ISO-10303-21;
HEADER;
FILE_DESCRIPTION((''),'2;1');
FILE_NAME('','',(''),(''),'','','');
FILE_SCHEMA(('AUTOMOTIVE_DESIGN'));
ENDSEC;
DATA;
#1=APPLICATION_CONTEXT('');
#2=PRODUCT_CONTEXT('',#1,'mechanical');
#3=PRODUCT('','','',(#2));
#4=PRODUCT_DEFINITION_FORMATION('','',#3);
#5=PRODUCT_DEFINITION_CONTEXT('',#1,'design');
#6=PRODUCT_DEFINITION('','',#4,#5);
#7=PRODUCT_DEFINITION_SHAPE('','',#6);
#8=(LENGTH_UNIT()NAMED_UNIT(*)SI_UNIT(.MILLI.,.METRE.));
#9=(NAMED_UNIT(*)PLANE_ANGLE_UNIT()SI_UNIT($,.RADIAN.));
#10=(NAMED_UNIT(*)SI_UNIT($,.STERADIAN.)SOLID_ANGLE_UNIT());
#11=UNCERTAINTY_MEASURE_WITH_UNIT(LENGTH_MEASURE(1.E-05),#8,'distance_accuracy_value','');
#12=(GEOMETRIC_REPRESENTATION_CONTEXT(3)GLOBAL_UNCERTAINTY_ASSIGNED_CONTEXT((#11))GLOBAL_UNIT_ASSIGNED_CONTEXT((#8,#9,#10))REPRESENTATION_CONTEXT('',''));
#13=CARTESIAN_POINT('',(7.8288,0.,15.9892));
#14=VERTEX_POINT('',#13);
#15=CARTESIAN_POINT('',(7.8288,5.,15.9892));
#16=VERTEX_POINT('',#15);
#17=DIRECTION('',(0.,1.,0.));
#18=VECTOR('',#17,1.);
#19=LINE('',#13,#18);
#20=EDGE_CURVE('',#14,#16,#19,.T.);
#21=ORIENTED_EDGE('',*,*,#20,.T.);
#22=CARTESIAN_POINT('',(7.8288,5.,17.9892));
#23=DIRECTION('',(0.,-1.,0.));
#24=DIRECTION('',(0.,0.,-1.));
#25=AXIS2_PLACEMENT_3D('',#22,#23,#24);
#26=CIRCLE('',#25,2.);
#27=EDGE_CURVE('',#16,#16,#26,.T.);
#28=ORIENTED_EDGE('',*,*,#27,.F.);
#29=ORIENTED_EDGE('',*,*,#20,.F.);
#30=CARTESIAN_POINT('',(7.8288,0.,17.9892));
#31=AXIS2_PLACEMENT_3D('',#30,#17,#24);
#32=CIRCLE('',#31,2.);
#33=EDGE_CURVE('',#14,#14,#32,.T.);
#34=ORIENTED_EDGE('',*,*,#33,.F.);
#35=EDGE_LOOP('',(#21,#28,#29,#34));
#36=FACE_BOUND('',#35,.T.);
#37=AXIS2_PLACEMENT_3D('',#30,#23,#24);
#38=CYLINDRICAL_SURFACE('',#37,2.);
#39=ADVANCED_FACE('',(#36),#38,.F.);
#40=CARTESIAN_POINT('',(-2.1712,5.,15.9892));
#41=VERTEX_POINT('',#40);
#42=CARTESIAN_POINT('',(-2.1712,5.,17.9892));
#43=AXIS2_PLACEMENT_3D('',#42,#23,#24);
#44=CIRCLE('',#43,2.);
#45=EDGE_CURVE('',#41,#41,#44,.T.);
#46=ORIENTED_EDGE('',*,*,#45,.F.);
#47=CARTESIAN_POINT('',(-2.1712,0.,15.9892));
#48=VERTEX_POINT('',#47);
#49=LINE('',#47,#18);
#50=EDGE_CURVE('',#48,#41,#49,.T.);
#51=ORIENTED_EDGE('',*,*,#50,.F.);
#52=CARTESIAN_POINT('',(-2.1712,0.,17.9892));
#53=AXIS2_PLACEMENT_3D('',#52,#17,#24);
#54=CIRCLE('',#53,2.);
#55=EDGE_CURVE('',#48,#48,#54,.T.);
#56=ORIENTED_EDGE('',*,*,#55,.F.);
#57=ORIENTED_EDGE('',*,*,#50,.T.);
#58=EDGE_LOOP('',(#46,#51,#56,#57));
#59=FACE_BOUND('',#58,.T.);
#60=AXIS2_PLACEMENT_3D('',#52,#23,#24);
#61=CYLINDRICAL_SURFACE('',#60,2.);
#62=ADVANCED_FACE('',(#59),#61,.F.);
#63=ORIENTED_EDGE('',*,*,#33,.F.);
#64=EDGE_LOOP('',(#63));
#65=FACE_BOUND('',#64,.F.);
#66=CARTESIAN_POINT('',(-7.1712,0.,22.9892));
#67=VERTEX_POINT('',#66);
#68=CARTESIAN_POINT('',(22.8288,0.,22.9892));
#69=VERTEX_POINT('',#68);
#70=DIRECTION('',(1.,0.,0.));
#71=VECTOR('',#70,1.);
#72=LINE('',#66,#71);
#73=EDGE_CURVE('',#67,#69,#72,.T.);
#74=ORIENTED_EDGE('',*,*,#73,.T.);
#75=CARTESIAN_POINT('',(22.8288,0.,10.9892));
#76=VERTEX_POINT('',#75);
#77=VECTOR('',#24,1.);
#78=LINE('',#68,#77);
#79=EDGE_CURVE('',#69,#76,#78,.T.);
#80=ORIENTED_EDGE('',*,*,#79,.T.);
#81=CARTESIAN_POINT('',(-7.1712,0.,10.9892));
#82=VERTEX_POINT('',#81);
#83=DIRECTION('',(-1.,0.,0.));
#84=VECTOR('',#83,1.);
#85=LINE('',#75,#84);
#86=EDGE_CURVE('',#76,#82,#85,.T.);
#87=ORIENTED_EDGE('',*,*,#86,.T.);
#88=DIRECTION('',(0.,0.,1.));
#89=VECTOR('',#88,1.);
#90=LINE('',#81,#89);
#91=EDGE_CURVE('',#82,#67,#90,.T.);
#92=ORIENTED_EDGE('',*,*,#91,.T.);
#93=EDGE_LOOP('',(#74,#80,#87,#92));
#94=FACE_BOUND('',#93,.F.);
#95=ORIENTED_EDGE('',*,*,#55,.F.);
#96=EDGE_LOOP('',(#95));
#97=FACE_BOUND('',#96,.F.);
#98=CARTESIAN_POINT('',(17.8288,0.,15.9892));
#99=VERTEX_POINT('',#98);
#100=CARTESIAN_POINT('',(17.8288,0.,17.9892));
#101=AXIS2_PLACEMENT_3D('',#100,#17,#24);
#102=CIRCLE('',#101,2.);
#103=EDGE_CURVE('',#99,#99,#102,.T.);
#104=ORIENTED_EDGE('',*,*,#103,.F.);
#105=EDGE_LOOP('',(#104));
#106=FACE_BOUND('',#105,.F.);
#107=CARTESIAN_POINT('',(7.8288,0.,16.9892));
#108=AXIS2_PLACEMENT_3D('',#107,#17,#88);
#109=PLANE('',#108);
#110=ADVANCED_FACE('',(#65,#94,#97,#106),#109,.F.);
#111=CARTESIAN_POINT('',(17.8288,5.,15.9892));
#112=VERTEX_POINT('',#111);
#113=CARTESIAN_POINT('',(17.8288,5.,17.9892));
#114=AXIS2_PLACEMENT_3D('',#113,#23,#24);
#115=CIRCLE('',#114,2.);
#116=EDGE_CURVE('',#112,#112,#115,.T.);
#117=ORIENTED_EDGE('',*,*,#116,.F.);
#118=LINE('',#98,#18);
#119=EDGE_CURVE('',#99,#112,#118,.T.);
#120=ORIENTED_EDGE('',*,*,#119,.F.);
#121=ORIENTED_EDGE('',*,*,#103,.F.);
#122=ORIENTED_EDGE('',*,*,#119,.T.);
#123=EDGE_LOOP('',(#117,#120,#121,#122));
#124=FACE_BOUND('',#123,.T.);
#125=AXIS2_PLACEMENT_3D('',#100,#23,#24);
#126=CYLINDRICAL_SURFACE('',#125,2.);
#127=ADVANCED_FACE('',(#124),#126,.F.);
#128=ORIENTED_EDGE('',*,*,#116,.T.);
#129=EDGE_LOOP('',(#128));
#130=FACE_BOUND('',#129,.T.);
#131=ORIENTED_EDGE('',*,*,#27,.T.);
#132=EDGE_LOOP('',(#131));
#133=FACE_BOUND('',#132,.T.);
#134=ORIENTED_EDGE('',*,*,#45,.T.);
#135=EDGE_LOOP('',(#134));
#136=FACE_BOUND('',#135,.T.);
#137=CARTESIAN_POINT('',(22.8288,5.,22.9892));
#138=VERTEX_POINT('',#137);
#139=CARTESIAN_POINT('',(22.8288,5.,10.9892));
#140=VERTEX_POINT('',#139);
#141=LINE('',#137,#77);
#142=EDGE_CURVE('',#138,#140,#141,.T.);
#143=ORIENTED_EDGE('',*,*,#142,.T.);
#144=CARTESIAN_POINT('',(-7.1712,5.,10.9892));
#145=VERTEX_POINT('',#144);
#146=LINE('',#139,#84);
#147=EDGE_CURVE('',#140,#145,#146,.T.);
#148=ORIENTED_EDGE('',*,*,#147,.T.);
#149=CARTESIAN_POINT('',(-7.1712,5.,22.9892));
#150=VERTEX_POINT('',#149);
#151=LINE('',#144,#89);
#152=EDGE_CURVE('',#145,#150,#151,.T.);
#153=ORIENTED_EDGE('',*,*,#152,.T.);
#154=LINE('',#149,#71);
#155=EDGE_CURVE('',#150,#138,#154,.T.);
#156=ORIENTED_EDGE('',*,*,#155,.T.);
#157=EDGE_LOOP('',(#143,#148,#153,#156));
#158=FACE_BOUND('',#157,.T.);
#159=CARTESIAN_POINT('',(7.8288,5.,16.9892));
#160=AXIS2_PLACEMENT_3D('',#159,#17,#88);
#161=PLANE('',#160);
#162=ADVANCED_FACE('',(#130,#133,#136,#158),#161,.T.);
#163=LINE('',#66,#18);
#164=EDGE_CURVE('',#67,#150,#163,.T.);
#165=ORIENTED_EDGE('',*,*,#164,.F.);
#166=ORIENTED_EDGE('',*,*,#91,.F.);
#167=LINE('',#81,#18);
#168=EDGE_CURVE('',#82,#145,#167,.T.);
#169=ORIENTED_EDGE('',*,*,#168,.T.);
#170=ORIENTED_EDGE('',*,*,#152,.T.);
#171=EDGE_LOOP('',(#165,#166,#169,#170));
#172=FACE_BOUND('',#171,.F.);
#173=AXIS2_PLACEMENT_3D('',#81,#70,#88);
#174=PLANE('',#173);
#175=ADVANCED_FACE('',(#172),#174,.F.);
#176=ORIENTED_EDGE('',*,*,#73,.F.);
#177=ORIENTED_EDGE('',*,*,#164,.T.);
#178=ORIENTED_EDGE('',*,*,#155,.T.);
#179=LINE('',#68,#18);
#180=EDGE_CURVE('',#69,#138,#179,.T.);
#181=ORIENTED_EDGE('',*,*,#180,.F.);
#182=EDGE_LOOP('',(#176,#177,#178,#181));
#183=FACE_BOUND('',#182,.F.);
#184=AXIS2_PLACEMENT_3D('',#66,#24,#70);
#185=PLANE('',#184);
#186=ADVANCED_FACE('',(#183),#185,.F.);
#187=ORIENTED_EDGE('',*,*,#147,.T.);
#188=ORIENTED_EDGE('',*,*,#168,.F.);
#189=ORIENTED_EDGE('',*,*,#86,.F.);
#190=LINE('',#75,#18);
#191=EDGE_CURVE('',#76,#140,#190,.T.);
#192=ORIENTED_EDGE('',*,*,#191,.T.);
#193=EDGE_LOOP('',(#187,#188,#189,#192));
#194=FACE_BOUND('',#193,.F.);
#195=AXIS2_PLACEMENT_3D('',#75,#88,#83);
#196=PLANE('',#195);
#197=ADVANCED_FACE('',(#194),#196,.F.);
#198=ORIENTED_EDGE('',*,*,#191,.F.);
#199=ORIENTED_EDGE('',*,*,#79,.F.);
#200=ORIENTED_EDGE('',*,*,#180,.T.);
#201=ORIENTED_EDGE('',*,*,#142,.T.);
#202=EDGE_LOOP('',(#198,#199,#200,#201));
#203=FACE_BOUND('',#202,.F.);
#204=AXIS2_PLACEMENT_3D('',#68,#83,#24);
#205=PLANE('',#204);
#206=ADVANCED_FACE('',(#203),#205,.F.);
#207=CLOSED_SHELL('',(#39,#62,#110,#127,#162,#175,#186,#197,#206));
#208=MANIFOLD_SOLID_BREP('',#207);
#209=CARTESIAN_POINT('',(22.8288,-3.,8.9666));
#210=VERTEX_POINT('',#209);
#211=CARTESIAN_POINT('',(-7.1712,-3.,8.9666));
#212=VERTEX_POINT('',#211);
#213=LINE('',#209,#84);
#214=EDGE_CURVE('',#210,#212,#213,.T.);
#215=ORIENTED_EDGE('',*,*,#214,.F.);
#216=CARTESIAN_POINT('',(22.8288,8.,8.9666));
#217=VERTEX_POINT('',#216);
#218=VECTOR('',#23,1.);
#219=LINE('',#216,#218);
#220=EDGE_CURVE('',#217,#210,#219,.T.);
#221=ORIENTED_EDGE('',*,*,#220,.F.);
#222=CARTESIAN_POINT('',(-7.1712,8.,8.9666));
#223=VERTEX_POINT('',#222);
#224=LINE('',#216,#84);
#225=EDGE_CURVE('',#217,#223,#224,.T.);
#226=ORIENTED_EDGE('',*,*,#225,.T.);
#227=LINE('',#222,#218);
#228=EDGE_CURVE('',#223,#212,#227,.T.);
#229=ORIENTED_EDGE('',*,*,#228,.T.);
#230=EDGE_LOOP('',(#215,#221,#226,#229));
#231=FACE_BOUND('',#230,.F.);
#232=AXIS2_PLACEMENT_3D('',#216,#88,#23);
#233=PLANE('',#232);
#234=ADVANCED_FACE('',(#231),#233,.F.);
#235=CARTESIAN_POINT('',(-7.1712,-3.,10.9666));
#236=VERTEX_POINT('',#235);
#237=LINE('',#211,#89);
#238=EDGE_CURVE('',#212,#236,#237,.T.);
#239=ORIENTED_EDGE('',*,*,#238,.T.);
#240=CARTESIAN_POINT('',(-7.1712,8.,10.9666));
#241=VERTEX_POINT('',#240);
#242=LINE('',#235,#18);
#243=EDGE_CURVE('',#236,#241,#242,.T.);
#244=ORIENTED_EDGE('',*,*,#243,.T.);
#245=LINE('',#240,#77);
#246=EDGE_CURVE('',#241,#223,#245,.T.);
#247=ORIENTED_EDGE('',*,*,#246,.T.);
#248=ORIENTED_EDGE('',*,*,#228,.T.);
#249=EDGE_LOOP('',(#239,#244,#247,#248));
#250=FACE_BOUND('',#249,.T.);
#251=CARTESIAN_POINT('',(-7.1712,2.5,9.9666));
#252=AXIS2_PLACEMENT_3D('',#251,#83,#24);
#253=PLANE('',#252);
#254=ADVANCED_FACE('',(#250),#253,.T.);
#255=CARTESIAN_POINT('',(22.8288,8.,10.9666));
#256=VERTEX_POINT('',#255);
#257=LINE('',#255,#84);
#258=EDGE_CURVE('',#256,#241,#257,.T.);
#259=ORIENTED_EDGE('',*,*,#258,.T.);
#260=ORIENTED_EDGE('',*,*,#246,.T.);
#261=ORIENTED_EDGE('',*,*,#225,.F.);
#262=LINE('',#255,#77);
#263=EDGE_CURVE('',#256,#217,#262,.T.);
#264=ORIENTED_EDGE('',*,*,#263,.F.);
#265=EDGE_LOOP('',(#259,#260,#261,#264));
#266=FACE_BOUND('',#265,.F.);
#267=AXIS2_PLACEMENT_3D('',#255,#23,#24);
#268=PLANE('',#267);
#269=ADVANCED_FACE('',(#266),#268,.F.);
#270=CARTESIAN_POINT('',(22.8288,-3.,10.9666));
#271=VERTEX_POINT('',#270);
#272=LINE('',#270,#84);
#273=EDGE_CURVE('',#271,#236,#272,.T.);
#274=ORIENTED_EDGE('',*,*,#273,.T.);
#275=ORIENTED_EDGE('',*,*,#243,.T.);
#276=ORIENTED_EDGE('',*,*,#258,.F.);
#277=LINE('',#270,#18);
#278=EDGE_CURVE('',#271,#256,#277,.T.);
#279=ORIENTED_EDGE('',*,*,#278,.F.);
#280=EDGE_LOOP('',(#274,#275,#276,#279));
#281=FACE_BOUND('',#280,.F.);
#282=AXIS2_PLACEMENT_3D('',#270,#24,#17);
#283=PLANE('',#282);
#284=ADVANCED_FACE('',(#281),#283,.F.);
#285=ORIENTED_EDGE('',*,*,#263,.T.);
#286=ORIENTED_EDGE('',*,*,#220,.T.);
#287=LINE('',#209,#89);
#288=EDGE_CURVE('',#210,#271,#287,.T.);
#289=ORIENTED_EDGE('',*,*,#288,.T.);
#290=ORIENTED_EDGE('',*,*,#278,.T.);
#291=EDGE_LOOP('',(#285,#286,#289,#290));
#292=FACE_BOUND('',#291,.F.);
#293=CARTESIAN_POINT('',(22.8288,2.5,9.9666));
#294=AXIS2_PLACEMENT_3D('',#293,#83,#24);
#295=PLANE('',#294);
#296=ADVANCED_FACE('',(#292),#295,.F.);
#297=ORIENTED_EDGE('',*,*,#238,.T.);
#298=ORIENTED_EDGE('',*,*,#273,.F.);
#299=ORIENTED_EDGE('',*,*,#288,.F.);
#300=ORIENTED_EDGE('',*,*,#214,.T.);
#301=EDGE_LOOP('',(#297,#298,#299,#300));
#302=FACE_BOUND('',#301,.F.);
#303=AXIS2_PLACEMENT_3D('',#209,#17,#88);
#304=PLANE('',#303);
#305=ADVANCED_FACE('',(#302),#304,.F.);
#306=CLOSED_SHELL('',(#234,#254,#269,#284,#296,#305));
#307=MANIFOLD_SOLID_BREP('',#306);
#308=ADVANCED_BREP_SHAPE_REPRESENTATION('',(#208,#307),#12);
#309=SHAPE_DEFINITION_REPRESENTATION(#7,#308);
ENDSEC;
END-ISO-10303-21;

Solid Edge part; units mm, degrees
sketch "Sketch1" plane through (0, 0, 0) normal (0, -1, 0) x (1, 0, 0)
  line L0 (-7.1712, 22.9892) -> (22.8288, 22.9892)
  line L1 (22.8288, 22.9892) -> (22.8288, 10.9892)
  line L2 (22.8288, 10.9892) -> (-7.1712, 10.9892)
  line L3 (-7.1712, 10.9892) -> (-7.1712, 22.9892)
  dimension "D1" = 30
  dimension "D2" = 12
extrude "Protrusion1" add sketch "Sketch1" against normal blind 5
hole "Bohrung_1" at (-2.1712, 0, 17.9892) direction (0, 1, 0) diameter 4 end up to next
hole "Hole1" at (7.8288, 0, 17.9892) direction (0, 1, 0) diameter 4 end up to next
hole "Hole2" at (17.8288, 0, 17.9892) direction (0, 1, 0) diameter 4 end up to next
sketch "Sketch2" plane through (22.8288, 2.5, 15.9892) normal (1, 0, 0) x (0, 1, 0)
  line L0 (-5.5, -5.0226) -> (5.5, -5.0226)
  line L1 (5.5, -5.0226) -> (5.5, -7.0226)
  line L2 (5.5, -7.0226) -> (-5.5, -7.0226)
  line L3 (-5.5, -7.0226) -> (-5.5, -5.0226)
  dimension "D1" = 3
  dimension "D2" = 3
  dimension "D3" = 2
extrude "Protrusion2" add sketch "Sketch2" against normal up to vertex (30 mm away)
